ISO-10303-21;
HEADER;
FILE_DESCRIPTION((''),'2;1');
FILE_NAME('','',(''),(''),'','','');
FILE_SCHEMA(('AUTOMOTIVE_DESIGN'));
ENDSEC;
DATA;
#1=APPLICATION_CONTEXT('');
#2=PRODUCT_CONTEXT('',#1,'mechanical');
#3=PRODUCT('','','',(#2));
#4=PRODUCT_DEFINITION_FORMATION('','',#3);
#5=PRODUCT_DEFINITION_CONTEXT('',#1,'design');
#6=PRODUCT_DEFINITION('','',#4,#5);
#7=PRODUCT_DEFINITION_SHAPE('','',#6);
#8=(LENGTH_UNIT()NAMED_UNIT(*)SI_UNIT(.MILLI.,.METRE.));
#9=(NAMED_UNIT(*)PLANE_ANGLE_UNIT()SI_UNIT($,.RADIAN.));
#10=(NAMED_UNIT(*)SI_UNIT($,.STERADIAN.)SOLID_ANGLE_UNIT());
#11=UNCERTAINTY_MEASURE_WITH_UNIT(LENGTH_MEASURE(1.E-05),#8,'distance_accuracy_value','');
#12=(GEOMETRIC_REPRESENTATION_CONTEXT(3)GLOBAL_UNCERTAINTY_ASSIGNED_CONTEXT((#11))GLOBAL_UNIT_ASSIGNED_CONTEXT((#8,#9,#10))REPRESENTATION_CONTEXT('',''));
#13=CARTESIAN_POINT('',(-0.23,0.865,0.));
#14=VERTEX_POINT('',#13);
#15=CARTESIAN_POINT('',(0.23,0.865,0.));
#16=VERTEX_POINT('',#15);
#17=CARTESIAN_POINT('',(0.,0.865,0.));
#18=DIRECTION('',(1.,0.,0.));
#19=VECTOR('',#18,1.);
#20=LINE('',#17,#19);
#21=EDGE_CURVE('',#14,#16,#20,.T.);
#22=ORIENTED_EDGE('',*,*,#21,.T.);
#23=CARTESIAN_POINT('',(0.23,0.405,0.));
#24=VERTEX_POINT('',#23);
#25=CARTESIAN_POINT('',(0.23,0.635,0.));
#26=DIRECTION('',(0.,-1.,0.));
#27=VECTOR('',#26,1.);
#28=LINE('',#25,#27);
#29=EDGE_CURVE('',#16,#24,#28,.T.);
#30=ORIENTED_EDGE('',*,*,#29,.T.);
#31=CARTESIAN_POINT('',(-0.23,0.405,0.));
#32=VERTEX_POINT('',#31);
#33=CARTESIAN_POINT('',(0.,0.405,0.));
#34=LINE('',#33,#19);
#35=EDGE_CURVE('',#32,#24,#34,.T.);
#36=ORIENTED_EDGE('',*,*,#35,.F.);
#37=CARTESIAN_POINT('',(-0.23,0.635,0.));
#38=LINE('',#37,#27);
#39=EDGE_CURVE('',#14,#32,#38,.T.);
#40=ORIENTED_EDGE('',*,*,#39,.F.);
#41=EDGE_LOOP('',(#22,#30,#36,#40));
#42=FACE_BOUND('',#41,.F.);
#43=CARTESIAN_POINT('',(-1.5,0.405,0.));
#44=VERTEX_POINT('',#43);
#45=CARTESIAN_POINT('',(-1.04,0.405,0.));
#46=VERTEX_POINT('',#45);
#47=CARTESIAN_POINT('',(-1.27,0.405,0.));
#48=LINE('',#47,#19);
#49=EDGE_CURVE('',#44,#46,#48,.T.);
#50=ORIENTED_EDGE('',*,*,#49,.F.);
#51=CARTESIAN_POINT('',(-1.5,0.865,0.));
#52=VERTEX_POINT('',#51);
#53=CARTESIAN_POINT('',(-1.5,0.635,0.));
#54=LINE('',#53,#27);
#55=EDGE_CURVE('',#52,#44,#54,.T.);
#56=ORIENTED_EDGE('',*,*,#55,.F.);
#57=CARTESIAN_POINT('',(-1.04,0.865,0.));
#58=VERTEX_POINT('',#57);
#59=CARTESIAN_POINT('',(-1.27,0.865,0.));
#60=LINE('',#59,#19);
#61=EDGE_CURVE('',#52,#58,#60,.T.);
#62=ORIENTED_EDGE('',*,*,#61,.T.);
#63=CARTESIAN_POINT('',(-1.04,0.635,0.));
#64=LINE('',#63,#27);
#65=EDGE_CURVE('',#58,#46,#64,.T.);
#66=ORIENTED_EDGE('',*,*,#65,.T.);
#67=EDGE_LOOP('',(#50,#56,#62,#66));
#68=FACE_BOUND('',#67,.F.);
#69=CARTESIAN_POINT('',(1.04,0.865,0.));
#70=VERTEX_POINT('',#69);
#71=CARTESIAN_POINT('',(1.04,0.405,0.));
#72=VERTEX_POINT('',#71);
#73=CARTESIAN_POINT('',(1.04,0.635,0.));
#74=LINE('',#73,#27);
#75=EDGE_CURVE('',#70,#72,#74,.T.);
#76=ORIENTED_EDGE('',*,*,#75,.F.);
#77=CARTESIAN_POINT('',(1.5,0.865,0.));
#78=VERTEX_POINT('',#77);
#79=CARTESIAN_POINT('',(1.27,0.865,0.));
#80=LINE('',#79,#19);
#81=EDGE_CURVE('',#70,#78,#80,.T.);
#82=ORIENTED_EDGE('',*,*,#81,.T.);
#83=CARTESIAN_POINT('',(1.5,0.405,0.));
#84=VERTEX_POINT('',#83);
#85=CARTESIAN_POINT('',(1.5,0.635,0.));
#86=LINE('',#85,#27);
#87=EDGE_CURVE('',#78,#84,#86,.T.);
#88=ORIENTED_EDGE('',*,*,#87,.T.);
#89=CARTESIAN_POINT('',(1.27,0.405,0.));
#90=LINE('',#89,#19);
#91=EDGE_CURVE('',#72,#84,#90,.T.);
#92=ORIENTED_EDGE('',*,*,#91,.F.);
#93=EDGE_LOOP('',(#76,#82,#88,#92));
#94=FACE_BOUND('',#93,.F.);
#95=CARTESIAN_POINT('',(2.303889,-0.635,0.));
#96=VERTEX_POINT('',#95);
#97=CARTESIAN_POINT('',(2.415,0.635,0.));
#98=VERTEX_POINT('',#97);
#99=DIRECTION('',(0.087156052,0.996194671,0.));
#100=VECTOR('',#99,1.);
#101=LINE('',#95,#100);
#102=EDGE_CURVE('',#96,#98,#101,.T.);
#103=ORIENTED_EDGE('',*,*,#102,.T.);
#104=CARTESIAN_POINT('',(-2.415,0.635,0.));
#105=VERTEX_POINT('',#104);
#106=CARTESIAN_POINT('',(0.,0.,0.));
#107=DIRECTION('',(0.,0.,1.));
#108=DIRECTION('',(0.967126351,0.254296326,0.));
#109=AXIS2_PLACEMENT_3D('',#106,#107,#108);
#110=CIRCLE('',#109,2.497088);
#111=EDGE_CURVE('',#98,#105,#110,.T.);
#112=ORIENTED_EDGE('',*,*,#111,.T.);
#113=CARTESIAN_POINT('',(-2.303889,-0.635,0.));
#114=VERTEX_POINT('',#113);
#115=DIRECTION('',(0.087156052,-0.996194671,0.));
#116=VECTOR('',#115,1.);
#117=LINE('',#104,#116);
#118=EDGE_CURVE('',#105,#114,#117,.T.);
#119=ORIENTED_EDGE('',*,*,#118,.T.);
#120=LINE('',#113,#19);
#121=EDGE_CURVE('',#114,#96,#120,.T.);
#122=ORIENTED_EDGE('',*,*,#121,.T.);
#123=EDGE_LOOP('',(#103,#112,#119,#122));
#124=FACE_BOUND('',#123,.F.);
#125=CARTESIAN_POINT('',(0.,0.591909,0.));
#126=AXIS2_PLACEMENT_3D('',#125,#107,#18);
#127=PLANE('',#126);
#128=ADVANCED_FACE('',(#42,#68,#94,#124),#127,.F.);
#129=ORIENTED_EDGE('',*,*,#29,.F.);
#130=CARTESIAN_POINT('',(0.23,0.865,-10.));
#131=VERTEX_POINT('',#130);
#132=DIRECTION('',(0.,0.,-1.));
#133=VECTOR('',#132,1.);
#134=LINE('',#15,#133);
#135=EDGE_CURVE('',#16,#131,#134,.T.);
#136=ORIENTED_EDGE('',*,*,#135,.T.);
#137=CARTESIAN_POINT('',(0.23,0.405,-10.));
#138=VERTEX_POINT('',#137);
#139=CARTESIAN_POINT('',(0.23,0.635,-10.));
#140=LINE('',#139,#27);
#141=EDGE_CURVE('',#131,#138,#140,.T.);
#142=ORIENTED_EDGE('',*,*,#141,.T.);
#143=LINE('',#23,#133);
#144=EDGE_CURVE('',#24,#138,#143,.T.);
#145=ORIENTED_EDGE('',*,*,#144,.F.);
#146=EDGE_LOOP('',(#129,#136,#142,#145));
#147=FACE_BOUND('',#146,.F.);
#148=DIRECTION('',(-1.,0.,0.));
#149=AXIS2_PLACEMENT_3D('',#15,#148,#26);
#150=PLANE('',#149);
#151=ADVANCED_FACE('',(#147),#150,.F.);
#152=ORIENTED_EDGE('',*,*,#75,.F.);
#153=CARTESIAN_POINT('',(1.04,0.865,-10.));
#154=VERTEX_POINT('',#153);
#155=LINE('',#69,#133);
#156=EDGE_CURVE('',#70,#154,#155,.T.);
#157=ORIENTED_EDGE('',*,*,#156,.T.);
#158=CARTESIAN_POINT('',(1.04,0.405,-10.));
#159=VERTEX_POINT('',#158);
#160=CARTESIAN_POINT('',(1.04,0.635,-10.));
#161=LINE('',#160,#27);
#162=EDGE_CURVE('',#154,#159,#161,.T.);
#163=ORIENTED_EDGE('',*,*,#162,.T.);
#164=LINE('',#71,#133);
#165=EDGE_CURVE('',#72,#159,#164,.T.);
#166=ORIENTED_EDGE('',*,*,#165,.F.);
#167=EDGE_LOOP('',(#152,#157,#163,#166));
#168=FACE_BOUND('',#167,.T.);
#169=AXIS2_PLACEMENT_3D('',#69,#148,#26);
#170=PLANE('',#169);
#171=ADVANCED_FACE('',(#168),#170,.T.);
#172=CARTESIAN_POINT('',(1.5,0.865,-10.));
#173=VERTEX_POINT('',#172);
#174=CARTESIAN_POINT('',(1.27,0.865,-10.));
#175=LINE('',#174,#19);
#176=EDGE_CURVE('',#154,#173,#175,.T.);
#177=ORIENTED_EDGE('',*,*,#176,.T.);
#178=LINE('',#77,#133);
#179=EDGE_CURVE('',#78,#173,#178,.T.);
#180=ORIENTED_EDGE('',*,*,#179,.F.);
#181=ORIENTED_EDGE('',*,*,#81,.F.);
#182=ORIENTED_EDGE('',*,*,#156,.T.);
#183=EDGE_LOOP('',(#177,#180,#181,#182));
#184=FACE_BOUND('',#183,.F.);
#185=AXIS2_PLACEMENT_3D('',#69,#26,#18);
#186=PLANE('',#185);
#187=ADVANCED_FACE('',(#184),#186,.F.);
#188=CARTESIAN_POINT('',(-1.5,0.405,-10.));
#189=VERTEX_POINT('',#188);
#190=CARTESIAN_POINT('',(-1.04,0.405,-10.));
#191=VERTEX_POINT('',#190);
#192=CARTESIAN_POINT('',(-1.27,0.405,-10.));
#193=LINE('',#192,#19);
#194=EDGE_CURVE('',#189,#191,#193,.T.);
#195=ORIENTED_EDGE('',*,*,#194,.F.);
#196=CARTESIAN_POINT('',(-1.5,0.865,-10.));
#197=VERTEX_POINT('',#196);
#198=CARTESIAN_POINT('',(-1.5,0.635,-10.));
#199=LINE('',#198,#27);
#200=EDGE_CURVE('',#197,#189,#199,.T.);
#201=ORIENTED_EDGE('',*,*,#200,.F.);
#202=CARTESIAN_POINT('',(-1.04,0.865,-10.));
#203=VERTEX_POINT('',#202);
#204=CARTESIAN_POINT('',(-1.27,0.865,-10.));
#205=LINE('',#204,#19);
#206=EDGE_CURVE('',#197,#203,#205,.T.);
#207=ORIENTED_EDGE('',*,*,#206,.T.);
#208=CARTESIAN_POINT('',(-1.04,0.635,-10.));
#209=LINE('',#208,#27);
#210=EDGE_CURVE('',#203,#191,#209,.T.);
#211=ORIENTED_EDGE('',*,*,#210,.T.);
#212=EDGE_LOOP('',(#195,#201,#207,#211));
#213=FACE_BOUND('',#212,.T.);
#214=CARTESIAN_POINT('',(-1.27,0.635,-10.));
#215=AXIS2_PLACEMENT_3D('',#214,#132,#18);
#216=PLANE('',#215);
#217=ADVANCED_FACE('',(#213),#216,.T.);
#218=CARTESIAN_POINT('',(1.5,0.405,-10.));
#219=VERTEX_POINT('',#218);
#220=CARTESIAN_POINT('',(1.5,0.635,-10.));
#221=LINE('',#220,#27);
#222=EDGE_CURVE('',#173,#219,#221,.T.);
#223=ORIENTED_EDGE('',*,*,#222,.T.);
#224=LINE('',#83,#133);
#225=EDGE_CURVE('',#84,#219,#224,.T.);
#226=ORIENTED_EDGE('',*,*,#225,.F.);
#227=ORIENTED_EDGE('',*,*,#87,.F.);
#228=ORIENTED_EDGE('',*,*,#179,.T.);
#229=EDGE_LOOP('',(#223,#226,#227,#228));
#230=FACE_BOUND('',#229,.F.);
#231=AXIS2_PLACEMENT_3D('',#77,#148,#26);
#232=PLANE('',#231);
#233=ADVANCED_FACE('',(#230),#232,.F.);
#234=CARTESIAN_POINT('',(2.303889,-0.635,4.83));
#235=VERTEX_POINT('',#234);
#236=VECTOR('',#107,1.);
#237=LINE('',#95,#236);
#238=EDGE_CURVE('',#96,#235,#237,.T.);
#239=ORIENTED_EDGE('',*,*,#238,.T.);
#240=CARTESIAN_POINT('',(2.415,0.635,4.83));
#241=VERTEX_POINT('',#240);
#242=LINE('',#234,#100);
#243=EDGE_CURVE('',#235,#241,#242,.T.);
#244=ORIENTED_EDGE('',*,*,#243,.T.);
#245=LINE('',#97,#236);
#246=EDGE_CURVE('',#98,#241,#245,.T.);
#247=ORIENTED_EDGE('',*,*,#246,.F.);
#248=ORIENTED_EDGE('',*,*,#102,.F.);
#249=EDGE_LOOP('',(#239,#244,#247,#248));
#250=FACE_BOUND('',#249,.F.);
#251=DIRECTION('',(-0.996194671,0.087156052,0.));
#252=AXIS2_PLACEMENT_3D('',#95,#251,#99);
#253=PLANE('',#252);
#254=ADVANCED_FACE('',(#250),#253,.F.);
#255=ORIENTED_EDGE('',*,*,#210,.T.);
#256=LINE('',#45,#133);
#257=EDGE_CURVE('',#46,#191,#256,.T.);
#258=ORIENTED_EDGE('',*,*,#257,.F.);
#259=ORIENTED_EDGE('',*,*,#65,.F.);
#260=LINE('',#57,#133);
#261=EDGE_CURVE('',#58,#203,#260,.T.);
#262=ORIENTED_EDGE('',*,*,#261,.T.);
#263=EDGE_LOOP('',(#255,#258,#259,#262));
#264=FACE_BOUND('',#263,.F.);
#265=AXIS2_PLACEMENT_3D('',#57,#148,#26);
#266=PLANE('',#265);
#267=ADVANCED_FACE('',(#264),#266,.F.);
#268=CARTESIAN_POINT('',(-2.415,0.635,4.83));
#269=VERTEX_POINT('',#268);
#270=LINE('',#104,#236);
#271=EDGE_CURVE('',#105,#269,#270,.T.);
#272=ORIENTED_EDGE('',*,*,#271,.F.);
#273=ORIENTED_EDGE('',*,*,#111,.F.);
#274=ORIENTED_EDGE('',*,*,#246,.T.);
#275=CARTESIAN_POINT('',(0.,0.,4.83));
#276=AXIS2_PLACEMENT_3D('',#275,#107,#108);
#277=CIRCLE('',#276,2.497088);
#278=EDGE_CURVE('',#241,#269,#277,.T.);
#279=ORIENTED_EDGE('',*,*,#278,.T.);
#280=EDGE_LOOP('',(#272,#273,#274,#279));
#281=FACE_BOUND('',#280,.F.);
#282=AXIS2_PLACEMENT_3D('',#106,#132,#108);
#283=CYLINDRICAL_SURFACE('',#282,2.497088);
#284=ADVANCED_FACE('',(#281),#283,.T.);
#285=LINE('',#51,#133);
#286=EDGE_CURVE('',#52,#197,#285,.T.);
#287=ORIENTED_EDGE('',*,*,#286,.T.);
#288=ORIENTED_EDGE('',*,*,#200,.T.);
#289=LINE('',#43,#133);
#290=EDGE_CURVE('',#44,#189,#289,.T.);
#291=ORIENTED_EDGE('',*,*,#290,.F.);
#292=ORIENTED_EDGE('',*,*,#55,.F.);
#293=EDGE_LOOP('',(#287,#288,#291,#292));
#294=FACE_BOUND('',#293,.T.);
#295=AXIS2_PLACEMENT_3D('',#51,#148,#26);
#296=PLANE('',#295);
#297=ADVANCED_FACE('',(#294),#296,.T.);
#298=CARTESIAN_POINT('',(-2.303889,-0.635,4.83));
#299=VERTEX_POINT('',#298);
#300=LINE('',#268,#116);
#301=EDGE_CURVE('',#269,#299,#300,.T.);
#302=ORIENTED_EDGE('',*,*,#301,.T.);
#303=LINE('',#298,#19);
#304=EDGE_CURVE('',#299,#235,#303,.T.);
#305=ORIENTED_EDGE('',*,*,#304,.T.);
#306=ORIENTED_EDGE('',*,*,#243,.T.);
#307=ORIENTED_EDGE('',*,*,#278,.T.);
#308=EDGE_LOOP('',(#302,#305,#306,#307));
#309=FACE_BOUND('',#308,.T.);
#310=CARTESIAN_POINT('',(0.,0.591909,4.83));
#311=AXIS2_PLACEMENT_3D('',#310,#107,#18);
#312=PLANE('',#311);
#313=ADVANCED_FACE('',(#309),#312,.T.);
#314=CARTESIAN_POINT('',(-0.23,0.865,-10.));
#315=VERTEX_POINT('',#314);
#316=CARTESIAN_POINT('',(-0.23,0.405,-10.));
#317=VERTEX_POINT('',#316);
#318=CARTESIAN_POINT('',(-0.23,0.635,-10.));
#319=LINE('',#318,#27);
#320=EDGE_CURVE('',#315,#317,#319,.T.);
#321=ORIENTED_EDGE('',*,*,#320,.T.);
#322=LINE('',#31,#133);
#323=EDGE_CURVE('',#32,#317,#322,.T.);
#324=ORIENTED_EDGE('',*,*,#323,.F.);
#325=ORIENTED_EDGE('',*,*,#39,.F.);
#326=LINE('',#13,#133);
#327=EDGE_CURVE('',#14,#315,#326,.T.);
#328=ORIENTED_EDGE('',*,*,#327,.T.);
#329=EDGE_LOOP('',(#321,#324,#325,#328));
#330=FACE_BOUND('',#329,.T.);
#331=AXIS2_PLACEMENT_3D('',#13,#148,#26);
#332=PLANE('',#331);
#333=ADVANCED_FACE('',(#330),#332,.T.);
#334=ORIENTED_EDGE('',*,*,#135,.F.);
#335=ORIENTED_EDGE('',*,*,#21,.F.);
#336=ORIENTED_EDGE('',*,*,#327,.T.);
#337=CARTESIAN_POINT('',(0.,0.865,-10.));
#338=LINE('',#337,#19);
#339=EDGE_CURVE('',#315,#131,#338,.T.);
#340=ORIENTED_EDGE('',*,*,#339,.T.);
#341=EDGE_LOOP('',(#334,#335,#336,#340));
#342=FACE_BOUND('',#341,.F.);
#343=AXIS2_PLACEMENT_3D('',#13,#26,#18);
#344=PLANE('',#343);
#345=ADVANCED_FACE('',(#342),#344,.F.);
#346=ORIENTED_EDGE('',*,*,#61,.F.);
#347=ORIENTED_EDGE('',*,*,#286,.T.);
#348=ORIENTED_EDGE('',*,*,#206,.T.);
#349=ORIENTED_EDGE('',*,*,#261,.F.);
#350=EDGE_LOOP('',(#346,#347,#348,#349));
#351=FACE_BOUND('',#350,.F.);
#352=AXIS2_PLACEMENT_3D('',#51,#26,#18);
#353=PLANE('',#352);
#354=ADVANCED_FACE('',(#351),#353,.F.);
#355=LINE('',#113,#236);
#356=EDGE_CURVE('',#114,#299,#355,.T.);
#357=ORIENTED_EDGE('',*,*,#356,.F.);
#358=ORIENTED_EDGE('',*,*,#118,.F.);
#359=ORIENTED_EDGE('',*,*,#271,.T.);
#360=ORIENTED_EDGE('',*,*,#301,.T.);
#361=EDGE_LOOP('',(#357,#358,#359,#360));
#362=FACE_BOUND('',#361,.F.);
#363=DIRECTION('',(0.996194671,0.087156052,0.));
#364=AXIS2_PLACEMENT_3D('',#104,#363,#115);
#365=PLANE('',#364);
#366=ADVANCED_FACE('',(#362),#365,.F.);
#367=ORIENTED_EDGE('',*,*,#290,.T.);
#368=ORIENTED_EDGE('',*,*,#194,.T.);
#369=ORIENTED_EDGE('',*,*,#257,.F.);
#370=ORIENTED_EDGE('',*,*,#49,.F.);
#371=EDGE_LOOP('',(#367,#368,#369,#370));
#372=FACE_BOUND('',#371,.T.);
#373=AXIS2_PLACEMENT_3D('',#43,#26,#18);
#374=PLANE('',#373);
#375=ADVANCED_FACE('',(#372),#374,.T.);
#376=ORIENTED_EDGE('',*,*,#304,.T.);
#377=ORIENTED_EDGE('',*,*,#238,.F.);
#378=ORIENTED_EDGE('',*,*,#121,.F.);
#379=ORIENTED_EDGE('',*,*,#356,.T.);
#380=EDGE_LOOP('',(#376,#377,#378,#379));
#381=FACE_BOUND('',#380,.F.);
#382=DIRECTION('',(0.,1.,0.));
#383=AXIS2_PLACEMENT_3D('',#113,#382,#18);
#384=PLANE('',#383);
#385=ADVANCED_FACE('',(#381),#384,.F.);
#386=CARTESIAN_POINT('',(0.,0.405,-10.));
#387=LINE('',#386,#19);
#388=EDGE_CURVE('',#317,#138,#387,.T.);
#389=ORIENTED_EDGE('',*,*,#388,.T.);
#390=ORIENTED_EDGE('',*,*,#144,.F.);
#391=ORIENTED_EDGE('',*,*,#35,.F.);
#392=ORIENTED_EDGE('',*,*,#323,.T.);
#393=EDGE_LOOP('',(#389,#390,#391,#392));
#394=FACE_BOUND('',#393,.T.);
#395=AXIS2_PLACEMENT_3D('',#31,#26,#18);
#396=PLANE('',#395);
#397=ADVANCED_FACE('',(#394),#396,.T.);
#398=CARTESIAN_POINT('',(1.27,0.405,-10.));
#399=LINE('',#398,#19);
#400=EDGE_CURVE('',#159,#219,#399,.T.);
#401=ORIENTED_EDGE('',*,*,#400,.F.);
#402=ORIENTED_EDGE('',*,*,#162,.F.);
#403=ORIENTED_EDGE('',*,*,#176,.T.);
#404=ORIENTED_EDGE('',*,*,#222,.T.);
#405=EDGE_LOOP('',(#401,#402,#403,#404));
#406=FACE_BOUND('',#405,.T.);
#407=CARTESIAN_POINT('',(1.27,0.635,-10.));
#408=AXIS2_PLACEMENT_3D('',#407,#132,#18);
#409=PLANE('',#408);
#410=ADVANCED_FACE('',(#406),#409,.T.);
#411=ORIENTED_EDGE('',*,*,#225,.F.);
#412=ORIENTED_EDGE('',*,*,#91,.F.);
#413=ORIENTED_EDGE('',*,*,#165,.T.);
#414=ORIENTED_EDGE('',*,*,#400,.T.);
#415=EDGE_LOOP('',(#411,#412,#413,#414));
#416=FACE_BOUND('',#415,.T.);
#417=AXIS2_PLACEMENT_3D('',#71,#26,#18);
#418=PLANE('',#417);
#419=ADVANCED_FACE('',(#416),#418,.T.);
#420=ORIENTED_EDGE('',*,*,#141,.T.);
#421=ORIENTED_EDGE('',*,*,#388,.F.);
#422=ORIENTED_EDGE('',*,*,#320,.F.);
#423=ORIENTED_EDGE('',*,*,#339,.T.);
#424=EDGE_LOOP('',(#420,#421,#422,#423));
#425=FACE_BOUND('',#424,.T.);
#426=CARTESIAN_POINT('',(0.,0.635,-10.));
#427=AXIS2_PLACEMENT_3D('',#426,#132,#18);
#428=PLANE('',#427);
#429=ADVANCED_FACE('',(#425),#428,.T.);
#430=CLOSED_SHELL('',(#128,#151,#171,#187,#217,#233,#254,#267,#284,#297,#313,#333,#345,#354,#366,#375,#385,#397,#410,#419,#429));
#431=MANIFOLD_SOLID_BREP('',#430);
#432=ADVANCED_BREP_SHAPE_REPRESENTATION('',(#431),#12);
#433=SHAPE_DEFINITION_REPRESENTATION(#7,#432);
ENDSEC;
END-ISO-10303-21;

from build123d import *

# Parameters (mm, degrees)
F1_DEPTH = 4.83
F2_W     = 0.46
F2_H     = 0.46
F3_DEPTH = 10


with BuildPart() as f1:
    # F0 (on Top) → F1 (new body)
    with BuildSketch(Plane.XY):
        with BuildLine():
            ThreePointArc((2.415, 0.635), (0, 2.497088), (-2.415, 0.635))
            Line((-2.415, 0.635), (-2.303889, -0.635))
            Line((-2.303889, -0.635), (2.303889, -0.635))
            Line((2.303889, -0.635), (2.415, 0.635))
        make_face()
    extrude(amount=F1_DEPTH)

    # F2 (on face) → F3 (join)
    with BuildSketch(Plane(origin=(0, 0, 0), x_dir=(1, 0, 0), z_dir=(0, 0, -1))):
        with Locations((0, -0.635)):
            Rectangle(F2_W, F2_H)
        with Locations((1.27, -0.635)):
            Rectangle(F2_W, F2_H)
        with Locations((-1.27, -0.635)):
            Rectangle(F2_W, F2_H)
    extrude(amount=F3_DEPTH)


solid = f1.part
